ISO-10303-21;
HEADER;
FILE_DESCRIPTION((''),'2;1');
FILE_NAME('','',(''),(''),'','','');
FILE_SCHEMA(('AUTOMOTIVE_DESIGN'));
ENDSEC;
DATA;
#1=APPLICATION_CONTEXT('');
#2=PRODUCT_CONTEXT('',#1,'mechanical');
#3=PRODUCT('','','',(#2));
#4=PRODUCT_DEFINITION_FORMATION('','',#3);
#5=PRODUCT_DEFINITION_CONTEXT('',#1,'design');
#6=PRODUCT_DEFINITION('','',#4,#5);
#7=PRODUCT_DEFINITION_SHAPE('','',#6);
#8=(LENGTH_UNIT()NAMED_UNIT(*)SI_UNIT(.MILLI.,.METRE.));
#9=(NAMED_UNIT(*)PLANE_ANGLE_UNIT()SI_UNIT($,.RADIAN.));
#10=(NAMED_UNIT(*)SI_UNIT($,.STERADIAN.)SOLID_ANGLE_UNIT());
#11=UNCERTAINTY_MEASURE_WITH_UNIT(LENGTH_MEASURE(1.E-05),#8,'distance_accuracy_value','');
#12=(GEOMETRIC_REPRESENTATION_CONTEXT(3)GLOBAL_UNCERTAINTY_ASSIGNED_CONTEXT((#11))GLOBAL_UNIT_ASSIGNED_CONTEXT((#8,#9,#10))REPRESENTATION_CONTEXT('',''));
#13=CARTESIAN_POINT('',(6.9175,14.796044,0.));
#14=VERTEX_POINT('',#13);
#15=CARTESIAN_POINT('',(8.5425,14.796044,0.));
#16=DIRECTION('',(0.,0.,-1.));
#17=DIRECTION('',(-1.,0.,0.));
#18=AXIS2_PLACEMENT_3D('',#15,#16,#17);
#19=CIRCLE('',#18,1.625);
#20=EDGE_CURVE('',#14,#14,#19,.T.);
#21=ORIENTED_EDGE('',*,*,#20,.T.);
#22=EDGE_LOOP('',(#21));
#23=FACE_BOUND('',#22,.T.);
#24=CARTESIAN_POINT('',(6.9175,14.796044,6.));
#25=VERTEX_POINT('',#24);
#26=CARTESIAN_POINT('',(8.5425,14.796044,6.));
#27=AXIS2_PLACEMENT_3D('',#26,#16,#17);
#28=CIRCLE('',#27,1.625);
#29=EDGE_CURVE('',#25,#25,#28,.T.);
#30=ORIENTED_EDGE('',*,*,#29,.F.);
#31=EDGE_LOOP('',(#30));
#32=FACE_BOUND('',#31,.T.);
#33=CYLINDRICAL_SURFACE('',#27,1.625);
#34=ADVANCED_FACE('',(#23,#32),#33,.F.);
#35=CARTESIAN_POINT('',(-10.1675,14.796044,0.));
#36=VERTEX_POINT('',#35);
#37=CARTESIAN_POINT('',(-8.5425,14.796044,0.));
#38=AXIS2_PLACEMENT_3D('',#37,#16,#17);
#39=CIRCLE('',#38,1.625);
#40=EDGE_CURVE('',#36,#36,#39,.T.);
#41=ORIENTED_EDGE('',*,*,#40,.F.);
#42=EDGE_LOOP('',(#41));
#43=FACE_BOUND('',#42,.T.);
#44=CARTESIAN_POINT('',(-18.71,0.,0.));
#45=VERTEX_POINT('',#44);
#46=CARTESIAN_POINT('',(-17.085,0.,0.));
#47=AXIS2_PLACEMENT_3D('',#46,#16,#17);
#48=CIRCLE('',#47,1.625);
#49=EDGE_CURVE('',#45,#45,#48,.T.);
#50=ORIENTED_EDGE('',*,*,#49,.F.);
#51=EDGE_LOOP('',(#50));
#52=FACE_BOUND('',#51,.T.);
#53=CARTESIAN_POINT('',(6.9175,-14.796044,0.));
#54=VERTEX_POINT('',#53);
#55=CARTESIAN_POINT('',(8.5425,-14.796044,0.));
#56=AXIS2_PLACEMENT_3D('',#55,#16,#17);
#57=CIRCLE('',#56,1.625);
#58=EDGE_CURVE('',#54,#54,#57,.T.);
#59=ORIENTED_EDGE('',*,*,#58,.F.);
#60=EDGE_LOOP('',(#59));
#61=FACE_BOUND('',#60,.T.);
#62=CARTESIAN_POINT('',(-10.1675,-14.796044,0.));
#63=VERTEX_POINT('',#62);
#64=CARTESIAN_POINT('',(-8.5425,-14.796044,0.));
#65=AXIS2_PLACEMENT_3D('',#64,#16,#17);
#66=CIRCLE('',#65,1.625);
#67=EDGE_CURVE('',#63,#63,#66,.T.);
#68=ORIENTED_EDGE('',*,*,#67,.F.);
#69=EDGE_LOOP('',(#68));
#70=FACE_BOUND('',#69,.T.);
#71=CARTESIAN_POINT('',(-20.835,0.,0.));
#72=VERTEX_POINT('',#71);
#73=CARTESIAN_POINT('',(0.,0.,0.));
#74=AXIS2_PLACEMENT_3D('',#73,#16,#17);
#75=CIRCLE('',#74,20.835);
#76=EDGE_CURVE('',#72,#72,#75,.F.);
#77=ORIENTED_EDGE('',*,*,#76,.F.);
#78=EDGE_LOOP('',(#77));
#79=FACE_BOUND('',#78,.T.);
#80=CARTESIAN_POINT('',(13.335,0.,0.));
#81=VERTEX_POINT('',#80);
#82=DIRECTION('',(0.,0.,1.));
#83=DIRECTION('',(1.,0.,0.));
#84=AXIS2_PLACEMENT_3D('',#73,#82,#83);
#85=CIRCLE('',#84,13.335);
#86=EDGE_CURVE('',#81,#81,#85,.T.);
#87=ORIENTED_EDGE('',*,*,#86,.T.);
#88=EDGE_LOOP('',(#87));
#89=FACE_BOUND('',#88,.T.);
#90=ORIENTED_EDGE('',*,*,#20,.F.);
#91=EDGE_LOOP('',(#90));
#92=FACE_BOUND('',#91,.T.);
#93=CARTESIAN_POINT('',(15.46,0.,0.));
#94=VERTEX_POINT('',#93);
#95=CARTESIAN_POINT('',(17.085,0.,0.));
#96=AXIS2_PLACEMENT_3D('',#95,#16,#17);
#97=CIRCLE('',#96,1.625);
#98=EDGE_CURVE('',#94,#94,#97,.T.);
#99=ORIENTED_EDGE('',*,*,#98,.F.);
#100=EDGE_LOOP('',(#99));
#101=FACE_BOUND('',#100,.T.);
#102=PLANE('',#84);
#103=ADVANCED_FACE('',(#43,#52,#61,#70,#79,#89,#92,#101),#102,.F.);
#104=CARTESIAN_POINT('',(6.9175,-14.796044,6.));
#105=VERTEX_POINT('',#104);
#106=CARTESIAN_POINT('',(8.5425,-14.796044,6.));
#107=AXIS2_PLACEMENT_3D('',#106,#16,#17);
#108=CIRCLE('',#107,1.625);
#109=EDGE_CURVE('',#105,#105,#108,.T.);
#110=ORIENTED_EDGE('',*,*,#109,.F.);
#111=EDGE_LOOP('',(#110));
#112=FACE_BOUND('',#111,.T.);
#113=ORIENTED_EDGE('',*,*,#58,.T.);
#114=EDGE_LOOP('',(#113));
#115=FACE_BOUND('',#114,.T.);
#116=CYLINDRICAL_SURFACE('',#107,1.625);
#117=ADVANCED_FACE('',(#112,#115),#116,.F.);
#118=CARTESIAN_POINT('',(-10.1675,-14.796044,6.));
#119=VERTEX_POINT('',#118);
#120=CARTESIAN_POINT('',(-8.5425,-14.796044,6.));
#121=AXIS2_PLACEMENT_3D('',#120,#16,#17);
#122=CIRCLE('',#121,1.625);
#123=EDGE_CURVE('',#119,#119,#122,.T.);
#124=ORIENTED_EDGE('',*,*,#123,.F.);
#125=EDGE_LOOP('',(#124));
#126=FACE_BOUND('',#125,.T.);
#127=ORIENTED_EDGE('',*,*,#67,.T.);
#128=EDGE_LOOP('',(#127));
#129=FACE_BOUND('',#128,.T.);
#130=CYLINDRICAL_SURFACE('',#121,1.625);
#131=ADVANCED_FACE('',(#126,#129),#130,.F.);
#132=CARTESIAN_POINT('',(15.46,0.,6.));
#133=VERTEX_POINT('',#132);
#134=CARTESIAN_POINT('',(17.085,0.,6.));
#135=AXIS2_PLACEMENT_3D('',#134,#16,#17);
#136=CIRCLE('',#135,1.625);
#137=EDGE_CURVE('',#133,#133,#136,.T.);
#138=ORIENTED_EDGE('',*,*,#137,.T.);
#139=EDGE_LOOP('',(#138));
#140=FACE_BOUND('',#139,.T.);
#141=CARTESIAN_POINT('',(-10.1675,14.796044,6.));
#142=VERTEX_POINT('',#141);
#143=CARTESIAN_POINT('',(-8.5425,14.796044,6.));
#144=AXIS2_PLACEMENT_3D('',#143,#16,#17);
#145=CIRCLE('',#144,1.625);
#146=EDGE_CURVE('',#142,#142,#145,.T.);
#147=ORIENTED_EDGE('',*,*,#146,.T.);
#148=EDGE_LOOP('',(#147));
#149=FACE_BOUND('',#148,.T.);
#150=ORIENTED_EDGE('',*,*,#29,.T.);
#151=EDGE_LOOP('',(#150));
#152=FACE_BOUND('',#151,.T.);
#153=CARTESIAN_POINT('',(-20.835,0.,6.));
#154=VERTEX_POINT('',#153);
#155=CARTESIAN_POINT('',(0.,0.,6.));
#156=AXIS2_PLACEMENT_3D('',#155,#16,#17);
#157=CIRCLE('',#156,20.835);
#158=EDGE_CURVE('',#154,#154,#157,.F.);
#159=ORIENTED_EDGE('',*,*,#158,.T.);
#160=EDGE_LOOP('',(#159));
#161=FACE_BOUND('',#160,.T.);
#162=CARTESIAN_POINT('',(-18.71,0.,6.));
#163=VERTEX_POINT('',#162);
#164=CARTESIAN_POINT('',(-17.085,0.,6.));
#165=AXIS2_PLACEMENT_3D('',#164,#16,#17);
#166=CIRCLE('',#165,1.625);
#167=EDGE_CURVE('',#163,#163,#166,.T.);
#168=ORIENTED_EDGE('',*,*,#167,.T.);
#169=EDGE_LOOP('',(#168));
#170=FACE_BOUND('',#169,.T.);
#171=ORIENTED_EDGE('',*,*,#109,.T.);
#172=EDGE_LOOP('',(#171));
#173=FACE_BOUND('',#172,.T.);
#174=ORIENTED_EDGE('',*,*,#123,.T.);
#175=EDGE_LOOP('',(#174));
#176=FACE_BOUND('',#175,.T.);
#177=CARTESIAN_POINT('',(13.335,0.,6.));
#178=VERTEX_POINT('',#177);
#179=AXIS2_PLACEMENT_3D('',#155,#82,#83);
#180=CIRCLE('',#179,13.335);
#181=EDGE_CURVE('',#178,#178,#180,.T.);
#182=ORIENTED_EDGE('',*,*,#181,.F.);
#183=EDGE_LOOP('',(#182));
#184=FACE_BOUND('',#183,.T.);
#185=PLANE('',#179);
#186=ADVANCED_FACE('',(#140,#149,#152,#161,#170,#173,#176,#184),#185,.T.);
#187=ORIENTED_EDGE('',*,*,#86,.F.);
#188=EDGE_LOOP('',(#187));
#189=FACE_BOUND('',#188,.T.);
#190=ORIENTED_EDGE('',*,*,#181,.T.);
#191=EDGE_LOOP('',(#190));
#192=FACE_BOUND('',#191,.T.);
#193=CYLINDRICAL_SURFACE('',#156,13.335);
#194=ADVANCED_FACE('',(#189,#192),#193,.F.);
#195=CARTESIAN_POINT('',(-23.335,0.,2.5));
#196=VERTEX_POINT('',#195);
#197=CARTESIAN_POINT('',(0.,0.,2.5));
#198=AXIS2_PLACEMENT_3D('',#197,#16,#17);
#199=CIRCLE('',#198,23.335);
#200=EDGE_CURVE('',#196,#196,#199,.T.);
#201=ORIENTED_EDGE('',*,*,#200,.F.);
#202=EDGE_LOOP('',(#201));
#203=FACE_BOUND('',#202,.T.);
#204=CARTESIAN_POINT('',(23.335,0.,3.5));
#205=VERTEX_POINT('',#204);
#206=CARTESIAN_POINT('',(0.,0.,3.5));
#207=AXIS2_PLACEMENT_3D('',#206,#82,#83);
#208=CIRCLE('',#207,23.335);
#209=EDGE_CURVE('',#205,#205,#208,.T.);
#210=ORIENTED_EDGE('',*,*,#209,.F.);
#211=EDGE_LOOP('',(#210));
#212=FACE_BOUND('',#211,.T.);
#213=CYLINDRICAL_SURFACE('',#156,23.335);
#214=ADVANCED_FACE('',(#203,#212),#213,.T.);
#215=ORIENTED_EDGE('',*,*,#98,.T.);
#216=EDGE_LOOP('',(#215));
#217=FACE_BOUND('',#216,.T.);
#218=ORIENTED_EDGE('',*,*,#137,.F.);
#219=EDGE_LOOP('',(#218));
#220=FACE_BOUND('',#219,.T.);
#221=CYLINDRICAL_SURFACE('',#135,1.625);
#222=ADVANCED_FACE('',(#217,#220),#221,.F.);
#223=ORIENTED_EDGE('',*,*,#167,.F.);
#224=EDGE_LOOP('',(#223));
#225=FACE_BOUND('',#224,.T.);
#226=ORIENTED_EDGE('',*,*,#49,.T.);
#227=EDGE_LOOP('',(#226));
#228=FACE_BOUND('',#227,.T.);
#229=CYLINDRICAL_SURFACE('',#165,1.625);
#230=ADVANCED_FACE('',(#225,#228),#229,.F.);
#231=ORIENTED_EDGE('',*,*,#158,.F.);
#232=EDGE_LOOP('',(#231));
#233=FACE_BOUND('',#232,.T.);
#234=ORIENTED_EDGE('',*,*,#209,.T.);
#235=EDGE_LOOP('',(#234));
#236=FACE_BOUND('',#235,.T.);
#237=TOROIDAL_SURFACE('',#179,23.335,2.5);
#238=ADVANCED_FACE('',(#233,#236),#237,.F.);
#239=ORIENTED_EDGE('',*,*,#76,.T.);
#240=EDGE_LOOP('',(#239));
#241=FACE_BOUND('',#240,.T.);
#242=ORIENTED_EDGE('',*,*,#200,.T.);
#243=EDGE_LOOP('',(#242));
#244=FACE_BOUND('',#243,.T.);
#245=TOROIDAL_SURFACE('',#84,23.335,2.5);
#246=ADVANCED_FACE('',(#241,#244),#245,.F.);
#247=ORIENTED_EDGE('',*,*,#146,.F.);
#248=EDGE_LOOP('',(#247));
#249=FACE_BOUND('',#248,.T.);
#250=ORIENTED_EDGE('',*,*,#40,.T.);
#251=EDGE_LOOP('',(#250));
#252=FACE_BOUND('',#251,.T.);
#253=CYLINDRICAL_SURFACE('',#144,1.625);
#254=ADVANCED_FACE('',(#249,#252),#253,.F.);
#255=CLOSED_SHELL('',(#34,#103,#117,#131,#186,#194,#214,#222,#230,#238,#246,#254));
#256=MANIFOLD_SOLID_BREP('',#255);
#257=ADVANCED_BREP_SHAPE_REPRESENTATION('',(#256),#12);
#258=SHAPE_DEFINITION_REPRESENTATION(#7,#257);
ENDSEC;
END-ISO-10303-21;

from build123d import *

# Parameters (mm, degrees)
SKETCH2_R           = 23.335
SKETCH2_R_2         = 13.335
BOSS_EXTRUDE1_DEPTH = 6
SKETCH3_R           = 2.5
SKETCH4_R           = 1.625
CUT_EXTRUDE1_DEPTH  = 7


with BuildPart() as part:
    # Sketch2 → Boss-Extrude1 (new body)
    with BuildSketch(Plane.XY):
        Circle(SKETCH2_R)
        Circle(SKETCH2_R_2, mode=Mode.SUBTRACT)
    extrude(amount=BOSS_EXTRUDE1_DEPTH)

    # Sketch3 → Cut-Revolve1 (revolve, cut)
    with BuildSketch(Plane(origin=(0, 0, 0), x_dir=(1, 0, 0), z_dir=(0, 1, 0))):
        with Locations((-23.335, 0)):
            Circle(SKETCH3_R)
        with Locations((-23.335, -6)):
            Circle(SKETCH3_R)
    revolve(axis=Axis((0, 0, 6), (0, 0, -1)), mode=Mode.SUBTRACT)

    # Sketch4 → Cut-Extrude1 (cut, through all)
    with BuildSketch(Plane(origin=(0, 0, 0), x_dir=(-1, 0, 0), z_dir=(0, 0, -1))):
        with Locations((8.5425, 14.796044024)):
            Circle(SKETCH4_R)
        with Locations((-8.5425, 14.796044024)):
            Circle(SKETCH4_R)
        with Locations((-17.085, 0)):
            Circle(SKETCH4_R)
        with Locations((-8.5425, -14.796044024)):
            Circle(SKETCH4_R)
        with Locations((8.5425, -14.796044024)):
            Circle(SKETCH4_R)
        with Locations((17.085, 0)):
            Circle(SKETCH4_R)
    extrude(amount=-CUT_EXTRUDE1_DEPTH, mode=Mode.SUBTRACT)


solid = part.part
